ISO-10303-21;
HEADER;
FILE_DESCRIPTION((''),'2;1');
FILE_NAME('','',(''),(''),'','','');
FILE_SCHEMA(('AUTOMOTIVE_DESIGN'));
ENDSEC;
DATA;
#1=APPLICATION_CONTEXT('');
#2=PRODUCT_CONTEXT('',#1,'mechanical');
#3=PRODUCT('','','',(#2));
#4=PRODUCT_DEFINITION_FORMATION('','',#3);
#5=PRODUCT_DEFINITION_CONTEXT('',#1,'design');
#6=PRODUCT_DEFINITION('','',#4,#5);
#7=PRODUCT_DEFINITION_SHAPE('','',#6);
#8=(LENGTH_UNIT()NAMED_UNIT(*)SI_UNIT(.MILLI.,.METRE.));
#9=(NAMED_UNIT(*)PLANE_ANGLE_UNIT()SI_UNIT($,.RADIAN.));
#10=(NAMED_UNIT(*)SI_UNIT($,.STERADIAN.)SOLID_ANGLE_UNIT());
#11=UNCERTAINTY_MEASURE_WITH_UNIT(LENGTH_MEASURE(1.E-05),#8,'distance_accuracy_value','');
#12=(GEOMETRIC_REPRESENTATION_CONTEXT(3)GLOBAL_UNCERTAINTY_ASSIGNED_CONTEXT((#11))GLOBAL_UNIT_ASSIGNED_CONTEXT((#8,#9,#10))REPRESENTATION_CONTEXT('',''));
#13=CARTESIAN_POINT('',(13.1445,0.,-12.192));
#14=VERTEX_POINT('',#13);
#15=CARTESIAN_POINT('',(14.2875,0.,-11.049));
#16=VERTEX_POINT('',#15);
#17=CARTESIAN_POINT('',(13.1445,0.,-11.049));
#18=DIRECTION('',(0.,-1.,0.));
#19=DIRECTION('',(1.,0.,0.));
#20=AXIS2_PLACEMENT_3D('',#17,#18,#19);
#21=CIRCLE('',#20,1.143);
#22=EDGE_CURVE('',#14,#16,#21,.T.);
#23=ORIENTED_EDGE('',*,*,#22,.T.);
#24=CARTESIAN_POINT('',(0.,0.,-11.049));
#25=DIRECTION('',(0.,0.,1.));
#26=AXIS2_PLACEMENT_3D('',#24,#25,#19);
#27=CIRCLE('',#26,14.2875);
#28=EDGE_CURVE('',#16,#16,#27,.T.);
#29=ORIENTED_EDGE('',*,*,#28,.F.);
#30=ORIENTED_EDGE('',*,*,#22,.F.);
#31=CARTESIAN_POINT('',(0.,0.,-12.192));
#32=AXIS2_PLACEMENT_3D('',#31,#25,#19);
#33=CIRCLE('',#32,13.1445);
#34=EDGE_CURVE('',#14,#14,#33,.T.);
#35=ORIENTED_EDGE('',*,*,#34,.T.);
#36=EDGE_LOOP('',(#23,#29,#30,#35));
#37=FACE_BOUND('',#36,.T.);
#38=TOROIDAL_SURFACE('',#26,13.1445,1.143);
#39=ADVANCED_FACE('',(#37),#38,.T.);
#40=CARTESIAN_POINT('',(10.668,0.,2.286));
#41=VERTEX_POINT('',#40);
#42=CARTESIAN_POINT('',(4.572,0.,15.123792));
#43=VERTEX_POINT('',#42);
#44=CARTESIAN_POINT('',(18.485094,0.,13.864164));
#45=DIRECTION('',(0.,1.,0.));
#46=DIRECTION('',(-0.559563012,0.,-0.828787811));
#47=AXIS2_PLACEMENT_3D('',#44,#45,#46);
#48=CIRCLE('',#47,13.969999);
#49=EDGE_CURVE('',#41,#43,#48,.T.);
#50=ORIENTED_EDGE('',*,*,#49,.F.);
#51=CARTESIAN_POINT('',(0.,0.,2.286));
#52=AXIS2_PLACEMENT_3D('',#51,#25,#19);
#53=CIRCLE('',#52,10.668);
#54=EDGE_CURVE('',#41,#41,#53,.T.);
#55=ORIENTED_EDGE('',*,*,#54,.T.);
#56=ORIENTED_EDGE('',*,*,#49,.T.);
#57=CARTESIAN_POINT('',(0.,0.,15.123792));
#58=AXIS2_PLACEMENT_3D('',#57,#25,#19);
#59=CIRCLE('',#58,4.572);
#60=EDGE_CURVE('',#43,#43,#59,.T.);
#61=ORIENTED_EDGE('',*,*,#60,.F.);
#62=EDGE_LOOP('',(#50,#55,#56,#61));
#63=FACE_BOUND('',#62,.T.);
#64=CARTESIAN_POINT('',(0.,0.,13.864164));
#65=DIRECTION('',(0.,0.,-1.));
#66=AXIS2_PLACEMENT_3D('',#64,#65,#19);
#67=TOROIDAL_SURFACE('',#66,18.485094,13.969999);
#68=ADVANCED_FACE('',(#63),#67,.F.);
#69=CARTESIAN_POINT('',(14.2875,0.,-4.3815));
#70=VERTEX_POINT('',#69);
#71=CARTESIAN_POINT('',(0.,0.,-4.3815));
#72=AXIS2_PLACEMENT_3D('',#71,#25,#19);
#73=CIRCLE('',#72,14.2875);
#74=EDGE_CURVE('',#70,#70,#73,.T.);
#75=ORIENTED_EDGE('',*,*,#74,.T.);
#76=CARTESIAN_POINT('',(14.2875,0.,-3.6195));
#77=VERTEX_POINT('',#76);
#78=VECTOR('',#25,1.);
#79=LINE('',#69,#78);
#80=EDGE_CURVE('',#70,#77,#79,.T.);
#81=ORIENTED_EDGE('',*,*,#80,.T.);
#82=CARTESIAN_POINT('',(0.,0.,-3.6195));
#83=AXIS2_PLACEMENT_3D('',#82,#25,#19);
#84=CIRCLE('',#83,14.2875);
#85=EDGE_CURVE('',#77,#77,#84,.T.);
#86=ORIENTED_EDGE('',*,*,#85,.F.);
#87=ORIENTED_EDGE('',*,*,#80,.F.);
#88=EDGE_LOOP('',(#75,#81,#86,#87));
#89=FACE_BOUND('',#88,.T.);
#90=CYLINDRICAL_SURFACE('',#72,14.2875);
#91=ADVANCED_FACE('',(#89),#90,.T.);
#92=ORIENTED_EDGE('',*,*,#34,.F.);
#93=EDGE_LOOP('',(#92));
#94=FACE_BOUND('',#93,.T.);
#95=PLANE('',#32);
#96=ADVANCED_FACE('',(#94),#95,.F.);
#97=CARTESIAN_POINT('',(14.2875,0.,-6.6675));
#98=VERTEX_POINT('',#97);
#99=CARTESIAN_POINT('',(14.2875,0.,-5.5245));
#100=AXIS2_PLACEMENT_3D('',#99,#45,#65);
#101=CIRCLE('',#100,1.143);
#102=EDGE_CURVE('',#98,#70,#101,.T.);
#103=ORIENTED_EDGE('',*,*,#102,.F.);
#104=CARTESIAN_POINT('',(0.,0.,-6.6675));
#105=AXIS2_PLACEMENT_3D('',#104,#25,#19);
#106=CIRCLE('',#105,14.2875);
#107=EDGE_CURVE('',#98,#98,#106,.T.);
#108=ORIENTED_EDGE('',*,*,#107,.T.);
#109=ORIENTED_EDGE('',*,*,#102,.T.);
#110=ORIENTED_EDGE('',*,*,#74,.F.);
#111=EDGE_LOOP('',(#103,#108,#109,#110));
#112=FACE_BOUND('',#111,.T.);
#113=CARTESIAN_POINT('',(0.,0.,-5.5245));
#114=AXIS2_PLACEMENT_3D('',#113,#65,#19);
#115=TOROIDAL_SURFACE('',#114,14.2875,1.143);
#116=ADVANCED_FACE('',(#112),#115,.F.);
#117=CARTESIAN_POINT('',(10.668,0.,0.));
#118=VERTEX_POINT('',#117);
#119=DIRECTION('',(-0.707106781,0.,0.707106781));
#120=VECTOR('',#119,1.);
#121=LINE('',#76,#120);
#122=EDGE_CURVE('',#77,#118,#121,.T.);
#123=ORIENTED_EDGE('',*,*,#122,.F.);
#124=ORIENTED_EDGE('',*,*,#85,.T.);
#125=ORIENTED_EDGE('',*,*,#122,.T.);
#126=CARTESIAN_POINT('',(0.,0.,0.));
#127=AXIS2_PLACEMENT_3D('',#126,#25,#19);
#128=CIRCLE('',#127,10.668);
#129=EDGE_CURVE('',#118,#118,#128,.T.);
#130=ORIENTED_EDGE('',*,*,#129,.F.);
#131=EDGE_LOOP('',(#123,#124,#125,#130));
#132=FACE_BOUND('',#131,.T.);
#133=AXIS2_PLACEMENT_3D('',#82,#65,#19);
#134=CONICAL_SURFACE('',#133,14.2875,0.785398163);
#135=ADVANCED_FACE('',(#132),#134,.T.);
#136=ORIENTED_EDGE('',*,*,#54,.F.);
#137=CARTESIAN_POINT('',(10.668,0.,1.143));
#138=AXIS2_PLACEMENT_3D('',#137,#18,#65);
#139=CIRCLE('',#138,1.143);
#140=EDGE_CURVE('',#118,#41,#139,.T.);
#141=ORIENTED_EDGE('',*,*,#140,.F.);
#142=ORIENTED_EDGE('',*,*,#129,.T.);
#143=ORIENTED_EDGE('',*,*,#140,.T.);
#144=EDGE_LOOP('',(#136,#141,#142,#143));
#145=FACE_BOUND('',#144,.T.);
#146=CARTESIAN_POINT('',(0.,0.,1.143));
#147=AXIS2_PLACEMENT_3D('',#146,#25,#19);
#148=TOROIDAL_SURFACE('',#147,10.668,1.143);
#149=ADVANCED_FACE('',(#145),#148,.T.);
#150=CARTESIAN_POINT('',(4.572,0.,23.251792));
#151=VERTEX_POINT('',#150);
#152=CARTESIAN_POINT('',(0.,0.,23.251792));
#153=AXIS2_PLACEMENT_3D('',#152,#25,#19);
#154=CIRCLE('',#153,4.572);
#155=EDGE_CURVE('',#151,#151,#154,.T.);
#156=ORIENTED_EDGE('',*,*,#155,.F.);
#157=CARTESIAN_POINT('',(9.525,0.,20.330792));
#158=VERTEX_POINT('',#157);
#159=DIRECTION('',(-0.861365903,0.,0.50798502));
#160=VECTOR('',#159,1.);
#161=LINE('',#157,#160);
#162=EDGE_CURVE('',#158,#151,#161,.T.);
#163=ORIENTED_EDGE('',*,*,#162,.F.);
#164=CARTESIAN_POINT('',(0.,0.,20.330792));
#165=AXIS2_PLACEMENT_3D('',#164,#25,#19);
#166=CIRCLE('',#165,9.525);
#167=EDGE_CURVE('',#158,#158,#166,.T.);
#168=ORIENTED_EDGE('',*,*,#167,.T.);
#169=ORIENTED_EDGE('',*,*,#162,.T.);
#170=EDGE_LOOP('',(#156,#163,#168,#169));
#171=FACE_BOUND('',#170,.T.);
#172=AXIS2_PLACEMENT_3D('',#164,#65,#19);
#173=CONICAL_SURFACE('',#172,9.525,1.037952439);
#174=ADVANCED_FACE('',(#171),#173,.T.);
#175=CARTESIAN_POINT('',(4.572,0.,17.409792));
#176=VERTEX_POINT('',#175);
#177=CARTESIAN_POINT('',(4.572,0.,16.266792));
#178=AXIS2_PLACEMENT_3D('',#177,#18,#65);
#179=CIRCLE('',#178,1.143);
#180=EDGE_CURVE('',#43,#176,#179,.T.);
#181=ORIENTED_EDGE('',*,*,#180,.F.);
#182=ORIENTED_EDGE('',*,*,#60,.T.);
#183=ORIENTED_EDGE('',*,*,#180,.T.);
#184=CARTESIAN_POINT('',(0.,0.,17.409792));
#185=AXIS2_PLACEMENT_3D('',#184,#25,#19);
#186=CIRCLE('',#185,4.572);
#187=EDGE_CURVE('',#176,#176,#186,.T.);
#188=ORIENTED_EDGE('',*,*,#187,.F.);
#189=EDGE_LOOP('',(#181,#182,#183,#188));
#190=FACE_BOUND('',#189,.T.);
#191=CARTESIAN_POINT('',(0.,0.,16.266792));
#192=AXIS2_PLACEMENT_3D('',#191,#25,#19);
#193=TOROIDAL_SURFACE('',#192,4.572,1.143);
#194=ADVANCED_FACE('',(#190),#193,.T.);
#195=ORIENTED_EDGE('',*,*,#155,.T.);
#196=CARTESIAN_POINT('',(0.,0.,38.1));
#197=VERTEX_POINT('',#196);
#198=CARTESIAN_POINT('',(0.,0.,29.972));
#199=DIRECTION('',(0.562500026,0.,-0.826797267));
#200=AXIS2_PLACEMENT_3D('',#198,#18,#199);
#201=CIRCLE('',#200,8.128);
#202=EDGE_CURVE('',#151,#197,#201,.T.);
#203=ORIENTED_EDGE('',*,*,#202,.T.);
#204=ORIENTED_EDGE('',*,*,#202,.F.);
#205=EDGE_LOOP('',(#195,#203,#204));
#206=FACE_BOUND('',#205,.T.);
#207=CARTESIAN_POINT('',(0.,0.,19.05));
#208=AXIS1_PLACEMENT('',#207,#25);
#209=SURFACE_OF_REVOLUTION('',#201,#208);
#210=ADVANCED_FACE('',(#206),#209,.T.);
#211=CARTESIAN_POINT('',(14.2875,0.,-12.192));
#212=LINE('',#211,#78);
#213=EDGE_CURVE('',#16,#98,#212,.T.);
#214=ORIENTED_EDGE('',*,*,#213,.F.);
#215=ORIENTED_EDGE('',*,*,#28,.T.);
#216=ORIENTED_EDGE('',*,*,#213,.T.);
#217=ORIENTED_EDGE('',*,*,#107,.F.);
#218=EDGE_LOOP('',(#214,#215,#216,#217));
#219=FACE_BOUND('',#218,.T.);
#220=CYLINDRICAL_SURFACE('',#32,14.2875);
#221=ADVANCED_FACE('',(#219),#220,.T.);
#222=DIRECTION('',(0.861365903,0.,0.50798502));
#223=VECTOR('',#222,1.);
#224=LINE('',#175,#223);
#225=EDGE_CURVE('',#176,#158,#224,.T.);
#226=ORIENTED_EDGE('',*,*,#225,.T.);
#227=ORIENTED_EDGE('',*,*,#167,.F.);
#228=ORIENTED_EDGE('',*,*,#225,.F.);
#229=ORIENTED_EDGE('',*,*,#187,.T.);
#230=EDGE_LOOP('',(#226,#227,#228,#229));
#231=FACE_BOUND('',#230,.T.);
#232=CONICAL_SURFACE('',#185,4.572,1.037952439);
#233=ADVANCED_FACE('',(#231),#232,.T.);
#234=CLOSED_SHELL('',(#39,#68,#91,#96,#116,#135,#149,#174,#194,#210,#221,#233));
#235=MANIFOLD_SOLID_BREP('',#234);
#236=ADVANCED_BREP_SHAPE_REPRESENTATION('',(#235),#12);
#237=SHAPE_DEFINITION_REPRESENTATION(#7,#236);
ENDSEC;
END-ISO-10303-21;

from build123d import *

# Parameters (mm, degrees)
F2_R = 1.143


with BuildPart() as f1:
    # F0 (on Front) → F1 (revolve)
    with BuildSketch(Plane.XZ):
        with BuildLine():
            Line((10.668, 0), (0, 0))
            Line((0, 0), (0, -12.192))
            Line((0, -12.192), (14.2875, -12.192))
            Line((14.2875, -12.192), (14.2875, -6.6675))
            ThreePointArc((14.2875, -6.6675), (13.1445, -5.5245), (14.2875, -4.3815))
            Line((14.2875, -4.3815), (14.2875, -3.6195))
            Line((14.2875, -3.6195), (10.668, 0))
        make_face()
    revolve(axis=Axis((0, 0, -6.096), (0, 0, 1)))

    # F2
    f2_edges = [f1.edges().sort_by_distance(p)[0] for p in [
        (-14.2875, 0, -12.192),
    ]]
    fillet(f2_edges, radius=F2_R)

    # F3 (on Front) → F4 (revolve)
    with BuildSketch(Plane.XZ):
        with BuildLine():
            Line((0, 0), (10.668, 0))
            ThreePointArc((10.668, 0), (11.811, 1.143), (10.668, 2.286))
            ThreePointArc((10.668, 2.286), (5.865566, 7.871806), (4.572, 15.123792))
            ThreePointArc((4.572, 15.123792), (5.715, 16.266792), (4.572, 17.409792))
            Line((4.572, 17.409792), (9.525, 20.330792))
            Line((9.525, 20.330792), (4.572, 23.251792))
            ThreePointArc((4.572, 23.251792), (7.768083, 32.363917), (0, 38.1))
            Line((0, 38.1), (0, 0))
        make_face()
    revolve(axis=Axis((0, 0, 19.05), (0, 0, 1)))


solid = f1.part
